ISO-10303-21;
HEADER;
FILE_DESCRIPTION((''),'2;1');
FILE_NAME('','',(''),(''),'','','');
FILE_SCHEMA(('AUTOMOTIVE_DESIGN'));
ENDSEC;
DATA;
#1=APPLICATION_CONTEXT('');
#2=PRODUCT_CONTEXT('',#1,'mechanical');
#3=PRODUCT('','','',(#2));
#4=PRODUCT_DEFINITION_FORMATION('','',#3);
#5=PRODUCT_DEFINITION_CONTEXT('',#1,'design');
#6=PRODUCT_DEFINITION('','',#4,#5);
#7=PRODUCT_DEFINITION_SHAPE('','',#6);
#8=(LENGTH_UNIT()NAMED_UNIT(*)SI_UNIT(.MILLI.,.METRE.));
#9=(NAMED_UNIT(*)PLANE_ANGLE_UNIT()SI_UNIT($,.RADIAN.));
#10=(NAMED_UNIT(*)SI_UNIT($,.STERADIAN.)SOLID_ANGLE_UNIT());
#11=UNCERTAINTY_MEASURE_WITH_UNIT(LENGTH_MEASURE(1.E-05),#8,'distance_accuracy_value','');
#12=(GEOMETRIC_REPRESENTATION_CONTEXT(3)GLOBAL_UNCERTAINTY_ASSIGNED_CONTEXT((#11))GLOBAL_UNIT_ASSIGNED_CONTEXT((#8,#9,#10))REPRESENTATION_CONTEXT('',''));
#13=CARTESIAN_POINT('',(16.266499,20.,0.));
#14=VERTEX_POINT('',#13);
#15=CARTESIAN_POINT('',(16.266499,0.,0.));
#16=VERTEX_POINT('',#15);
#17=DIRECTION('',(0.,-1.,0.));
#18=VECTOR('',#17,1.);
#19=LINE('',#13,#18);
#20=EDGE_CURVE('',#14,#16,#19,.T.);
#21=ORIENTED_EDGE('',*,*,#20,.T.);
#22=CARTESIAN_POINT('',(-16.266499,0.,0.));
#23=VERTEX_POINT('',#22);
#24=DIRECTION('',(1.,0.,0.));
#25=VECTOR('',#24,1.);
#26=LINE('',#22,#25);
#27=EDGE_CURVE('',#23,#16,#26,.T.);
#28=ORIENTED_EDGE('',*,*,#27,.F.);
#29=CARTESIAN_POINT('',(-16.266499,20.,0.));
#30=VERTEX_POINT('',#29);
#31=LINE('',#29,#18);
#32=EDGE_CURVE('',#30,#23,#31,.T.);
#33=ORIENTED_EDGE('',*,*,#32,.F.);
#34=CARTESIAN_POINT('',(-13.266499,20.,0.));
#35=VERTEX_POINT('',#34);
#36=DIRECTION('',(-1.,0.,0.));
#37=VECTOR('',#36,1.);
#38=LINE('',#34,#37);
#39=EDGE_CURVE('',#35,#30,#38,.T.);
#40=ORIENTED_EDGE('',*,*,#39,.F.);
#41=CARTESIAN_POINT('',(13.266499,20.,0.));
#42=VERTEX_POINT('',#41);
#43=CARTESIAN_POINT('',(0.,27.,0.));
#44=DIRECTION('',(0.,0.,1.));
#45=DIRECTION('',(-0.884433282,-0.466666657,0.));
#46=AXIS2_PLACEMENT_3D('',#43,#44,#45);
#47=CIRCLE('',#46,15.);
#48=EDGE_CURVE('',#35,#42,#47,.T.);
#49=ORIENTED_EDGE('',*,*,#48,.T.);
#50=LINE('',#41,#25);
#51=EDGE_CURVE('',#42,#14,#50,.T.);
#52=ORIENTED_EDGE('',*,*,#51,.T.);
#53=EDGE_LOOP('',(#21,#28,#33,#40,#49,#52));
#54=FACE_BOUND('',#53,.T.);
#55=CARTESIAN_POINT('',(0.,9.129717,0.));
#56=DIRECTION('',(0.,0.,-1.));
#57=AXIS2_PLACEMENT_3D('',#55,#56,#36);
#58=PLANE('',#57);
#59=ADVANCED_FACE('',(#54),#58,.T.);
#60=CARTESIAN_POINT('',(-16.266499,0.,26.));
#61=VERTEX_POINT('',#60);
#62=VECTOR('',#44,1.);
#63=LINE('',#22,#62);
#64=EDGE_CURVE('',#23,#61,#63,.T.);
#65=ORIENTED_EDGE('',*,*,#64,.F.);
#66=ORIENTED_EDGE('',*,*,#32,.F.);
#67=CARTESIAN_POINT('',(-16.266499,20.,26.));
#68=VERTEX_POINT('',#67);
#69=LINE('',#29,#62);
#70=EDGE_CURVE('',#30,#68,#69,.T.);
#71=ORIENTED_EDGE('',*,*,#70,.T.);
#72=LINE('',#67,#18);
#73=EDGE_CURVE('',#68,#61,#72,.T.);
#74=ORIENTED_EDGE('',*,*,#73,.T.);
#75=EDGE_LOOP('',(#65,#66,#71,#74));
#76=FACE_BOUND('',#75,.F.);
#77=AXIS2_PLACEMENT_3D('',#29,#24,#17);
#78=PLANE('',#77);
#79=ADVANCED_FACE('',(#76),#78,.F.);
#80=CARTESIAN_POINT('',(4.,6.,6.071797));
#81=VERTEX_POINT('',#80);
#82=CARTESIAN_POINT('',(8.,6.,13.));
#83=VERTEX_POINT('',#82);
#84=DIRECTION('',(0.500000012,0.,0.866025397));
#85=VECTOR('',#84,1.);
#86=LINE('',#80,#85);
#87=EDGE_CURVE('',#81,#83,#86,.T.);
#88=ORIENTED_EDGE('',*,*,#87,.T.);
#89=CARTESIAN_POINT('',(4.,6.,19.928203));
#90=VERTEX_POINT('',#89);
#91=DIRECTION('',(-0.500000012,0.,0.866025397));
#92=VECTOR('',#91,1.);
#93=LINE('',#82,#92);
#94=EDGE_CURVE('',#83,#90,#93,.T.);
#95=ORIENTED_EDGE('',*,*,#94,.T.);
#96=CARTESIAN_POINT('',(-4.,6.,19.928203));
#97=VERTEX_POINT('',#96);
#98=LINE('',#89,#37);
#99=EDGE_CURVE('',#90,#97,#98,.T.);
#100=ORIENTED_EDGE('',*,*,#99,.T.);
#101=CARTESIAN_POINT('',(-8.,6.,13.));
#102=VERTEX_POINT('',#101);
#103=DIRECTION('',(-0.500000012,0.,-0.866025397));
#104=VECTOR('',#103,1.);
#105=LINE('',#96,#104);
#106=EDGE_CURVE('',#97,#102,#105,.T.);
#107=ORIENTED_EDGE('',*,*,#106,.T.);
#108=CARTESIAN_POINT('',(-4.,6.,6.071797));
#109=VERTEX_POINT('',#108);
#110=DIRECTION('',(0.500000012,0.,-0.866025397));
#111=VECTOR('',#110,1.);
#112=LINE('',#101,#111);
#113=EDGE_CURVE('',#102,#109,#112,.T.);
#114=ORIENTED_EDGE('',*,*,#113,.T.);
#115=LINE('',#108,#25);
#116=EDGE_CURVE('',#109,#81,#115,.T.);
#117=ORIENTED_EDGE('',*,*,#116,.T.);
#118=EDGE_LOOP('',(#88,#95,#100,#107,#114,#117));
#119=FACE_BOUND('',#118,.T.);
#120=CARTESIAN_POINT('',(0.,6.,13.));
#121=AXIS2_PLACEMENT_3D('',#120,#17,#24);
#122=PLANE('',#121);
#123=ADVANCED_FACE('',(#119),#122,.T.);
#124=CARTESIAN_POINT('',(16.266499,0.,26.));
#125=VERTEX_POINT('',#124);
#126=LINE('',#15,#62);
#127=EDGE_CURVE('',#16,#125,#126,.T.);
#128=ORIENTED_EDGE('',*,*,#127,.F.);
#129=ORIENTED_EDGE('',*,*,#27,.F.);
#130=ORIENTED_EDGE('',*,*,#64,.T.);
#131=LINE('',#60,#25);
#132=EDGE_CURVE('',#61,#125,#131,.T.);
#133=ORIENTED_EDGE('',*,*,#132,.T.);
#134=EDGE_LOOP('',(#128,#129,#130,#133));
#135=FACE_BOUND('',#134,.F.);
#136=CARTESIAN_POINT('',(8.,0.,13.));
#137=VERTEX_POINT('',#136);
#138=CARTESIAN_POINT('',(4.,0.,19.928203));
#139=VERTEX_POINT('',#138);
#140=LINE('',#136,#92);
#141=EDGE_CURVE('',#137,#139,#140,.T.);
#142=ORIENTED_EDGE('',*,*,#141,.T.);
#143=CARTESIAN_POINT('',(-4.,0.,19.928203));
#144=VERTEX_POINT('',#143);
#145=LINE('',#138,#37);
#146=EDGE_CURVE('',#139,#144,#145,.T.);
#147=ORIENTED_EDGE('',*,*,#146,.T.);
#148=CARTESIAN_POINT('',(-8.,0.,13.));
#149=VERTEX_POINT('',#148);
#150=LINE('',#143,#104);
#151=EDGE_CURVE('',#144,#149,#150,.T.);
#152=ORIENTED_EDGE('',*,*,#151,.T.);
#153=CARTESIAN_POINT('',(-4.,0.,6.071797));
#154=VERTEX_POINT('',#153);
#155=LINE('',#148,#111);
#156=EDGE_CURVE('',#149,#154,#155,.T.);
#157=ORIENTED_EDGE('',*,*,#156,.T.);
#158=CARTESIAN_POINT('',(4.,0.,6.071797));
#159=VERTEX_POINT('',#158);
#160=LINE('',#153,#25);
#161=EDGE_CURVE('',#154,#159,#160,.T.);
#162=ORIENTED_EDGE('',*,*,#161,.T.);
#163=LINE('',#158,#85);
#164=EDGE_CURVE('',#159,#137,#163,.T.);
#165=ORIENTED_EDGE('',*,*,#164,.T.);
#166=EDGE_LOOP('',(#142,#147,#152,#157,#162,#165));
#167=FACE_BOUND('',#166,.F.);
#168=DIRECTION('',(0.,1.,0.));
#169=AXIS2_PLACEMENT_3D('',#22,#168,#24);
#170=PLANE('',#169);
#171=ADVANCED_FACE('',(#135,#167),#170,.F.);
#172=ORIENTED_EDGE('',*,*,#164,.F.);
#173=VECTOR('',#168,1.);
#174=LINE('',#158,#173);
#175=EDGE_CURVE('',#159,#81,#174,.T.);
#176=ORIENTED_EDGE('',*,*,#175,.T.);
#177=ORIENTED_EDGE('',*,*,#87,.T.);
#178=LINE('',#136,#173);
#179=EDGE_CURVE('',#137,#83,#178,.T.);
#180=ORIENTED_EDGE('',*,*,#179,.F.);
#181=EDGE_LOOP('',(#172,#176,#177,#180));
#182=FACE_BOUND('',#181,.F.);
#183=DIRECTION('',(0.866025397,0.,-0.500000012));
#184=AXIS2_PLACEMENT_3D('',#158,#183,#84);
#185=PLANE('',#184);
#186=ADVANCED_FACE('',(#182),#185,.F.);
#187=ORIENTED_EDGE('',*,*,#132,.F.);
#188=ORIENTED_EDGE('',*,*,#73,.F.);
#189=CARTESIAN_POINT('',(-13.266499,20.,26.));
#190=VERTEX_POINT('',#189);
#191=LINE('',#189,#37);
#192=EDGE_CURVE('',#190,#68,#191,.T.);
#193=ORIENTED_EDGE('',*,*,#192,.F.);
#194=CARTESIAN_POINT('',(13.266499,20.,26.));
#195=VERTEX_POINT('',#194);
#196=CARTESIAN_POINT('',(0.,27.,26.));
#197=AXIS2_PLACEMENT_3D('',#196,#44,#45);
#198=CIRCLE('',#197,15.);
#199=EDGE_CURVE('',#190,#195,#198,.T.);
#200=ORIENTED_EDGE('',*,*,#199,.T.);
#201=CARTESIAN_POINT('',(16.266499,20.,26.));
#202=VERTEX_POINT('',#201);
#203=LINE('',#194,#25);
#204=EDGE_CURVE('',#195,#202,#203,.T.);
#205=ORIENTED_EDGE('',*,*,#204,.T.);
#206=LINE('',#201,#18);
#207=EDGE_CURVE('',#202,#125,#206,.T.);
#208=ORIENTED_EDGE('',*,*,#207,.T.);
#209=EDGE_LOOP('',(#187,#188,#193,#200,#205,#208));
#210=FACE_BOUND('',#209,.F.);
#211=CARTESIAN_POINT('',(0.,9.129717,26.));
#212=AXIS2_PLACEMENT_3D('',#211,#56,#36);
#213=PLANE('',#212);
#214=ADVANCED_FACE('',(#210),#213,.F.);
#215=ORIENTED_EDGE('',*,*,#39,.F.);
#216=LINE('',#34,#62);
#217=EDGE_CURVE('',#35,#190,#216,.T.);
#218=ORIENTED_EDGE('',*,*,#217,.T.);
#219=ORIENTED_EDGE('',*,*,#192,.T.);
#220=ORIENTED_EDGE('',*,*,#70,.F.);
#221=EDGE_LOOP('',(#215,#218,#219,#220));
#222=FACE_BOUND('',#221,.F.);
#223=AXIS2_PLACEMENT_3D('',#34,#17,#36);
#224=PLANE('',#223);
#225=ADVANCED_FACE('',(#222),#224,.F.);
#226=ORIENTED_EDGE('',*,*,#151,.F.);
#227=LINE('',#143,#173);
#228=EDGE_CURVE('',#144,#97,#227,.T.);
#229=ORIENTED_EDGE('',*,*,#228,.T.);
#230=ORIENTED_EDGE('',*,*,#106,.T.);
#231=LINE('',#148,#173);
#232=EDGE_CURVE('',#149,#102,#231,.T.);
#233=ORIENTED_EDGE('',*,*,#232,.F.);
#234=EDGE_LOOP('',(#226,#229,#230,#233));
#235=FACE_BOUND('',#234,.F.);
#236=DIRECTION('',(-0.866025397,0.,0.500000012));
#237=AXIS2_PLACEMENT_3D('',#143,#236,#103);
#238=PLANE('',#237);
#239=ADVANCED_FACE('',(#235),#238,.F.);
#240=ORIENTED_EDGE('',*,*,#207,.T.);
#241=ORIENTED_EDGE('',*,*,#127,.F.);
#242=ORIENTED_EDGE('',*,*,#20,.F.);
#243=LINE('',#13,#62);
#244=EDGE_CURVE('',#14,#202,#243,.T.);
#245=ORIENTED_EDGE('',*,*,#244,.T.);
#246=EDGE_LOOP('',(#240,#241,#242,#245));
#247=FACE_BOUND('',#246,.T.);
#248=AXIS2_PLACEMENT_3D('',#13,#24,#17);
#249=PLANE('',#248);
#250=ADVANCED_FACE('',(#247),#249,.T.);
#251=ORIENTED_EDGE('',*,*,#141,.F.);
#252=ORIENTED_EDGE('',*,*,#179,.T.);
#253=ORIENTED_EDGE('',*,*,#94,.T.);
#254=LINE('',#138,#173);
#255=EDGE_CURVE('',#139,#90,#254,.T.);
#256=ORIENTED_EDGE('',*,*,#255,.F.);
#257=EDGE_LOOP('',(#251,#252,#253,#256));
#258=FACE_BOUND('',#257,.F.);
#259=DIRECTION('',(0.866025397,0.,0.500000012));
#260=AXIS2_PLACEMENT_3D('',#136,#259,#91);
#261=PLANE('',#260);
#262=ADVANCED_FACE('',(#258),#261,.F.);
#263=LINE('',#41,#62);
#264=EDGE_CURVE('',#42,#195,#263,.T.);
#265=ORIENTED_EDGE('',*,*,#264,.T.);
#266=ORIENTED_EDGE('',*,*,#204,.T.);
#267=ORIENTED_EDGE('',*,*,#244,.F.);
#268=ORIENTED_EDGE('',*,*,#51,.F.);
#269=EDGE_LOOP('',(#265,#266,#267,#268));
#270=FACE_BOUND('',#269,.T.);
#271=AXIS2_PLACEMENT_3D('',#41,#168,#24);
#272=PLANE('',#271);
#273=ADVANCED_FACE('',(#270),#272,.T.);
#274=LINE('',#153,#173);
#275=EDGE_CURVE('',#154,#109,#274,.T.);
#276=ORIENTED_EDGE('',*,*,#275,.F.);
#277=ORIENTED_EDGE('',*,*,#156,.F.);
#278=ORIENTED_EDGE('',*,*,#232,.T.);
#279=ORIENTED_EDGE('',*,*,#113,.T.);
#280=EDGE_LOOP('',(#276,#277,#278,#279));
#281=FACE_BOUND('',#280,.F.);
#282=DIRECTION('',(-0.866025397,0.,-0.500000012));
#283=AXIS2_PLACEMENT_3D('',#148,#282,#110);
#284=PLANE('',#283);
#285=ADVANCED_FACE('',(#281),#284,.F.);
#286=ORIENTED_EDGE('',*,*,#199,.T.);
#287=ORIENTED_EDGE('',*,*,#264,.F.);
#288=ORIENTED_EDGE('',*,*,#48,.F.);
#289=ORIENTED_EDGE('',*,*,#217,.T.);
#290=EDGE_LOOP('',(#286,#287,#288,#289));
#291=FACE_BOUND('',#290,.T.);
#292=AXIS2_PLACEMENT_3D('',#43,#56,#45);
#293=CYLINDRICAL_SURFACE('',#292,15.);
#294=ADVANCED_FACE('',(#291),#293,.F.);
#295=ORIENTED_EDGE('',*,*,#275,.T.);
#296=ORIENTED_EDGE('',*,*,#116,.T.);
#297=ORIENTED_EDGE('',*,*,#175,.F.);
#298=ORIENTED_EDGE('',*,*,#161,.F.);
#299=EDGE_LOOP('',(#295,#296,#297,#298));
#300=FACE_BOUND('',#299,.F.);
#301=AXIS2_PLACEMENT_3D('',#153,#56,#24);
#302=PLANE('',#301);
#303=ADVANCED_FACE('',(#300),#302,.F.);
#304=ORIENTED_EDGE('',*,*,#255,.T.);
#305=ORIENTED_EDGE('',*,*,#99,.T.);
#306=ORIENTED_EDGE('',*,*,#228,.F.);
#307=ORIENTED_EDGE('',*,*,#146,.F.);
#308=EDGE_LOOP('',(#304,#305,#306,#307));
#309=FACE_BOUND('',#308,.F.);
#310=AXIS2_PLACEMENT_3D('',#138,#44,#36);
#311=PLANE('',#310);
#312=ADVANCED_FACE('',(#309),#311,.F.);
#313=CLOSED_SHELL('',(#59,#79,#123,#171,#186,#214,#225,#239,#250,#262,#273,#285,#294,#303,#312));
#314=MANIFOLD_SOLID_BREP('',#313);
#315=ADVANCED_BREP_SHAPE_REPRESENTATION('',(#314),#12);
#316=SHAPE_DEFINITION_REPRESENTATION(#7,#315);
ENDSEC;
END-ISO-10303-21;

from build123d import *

# Parameters (mm, degrees)
PAD_DEPTH    = 26
POCKET_DEPTH = 6


with BuildPart() as part:
    # Sketch → Pad (new body)
    with BuildSketch(Plane.XY):
        with BuildLine():
            ThreePointArc((-13.266499, 20), (0, 12), (13.266499, 20))
            Line((13.266499, 20), (16.266499, 20))
            Line((16.266499, 20), (16.266499, 0))
            Line((-16.266499, 0), (16.266499, 0))
            Line((-16.266499, 20), (-16.266499, 0))
            Line((-13.266499, 20), (-16.266499, 20))
        make_face()
    extrude(amount=PAD_DEPTH)

    # Sketch001 → Pocket (cut)
    with BuildSketch(Plane.XZ):
        Polygon((4, 6.071797), (8, 13), (4, 19.928203), (-4, 19.928203), (-8, 13), (-4, 6.071797), align=None)
    extrude(amount=-POCKET_DEPTH, mode=Mode.SUBTRACT)


solid = part.part
